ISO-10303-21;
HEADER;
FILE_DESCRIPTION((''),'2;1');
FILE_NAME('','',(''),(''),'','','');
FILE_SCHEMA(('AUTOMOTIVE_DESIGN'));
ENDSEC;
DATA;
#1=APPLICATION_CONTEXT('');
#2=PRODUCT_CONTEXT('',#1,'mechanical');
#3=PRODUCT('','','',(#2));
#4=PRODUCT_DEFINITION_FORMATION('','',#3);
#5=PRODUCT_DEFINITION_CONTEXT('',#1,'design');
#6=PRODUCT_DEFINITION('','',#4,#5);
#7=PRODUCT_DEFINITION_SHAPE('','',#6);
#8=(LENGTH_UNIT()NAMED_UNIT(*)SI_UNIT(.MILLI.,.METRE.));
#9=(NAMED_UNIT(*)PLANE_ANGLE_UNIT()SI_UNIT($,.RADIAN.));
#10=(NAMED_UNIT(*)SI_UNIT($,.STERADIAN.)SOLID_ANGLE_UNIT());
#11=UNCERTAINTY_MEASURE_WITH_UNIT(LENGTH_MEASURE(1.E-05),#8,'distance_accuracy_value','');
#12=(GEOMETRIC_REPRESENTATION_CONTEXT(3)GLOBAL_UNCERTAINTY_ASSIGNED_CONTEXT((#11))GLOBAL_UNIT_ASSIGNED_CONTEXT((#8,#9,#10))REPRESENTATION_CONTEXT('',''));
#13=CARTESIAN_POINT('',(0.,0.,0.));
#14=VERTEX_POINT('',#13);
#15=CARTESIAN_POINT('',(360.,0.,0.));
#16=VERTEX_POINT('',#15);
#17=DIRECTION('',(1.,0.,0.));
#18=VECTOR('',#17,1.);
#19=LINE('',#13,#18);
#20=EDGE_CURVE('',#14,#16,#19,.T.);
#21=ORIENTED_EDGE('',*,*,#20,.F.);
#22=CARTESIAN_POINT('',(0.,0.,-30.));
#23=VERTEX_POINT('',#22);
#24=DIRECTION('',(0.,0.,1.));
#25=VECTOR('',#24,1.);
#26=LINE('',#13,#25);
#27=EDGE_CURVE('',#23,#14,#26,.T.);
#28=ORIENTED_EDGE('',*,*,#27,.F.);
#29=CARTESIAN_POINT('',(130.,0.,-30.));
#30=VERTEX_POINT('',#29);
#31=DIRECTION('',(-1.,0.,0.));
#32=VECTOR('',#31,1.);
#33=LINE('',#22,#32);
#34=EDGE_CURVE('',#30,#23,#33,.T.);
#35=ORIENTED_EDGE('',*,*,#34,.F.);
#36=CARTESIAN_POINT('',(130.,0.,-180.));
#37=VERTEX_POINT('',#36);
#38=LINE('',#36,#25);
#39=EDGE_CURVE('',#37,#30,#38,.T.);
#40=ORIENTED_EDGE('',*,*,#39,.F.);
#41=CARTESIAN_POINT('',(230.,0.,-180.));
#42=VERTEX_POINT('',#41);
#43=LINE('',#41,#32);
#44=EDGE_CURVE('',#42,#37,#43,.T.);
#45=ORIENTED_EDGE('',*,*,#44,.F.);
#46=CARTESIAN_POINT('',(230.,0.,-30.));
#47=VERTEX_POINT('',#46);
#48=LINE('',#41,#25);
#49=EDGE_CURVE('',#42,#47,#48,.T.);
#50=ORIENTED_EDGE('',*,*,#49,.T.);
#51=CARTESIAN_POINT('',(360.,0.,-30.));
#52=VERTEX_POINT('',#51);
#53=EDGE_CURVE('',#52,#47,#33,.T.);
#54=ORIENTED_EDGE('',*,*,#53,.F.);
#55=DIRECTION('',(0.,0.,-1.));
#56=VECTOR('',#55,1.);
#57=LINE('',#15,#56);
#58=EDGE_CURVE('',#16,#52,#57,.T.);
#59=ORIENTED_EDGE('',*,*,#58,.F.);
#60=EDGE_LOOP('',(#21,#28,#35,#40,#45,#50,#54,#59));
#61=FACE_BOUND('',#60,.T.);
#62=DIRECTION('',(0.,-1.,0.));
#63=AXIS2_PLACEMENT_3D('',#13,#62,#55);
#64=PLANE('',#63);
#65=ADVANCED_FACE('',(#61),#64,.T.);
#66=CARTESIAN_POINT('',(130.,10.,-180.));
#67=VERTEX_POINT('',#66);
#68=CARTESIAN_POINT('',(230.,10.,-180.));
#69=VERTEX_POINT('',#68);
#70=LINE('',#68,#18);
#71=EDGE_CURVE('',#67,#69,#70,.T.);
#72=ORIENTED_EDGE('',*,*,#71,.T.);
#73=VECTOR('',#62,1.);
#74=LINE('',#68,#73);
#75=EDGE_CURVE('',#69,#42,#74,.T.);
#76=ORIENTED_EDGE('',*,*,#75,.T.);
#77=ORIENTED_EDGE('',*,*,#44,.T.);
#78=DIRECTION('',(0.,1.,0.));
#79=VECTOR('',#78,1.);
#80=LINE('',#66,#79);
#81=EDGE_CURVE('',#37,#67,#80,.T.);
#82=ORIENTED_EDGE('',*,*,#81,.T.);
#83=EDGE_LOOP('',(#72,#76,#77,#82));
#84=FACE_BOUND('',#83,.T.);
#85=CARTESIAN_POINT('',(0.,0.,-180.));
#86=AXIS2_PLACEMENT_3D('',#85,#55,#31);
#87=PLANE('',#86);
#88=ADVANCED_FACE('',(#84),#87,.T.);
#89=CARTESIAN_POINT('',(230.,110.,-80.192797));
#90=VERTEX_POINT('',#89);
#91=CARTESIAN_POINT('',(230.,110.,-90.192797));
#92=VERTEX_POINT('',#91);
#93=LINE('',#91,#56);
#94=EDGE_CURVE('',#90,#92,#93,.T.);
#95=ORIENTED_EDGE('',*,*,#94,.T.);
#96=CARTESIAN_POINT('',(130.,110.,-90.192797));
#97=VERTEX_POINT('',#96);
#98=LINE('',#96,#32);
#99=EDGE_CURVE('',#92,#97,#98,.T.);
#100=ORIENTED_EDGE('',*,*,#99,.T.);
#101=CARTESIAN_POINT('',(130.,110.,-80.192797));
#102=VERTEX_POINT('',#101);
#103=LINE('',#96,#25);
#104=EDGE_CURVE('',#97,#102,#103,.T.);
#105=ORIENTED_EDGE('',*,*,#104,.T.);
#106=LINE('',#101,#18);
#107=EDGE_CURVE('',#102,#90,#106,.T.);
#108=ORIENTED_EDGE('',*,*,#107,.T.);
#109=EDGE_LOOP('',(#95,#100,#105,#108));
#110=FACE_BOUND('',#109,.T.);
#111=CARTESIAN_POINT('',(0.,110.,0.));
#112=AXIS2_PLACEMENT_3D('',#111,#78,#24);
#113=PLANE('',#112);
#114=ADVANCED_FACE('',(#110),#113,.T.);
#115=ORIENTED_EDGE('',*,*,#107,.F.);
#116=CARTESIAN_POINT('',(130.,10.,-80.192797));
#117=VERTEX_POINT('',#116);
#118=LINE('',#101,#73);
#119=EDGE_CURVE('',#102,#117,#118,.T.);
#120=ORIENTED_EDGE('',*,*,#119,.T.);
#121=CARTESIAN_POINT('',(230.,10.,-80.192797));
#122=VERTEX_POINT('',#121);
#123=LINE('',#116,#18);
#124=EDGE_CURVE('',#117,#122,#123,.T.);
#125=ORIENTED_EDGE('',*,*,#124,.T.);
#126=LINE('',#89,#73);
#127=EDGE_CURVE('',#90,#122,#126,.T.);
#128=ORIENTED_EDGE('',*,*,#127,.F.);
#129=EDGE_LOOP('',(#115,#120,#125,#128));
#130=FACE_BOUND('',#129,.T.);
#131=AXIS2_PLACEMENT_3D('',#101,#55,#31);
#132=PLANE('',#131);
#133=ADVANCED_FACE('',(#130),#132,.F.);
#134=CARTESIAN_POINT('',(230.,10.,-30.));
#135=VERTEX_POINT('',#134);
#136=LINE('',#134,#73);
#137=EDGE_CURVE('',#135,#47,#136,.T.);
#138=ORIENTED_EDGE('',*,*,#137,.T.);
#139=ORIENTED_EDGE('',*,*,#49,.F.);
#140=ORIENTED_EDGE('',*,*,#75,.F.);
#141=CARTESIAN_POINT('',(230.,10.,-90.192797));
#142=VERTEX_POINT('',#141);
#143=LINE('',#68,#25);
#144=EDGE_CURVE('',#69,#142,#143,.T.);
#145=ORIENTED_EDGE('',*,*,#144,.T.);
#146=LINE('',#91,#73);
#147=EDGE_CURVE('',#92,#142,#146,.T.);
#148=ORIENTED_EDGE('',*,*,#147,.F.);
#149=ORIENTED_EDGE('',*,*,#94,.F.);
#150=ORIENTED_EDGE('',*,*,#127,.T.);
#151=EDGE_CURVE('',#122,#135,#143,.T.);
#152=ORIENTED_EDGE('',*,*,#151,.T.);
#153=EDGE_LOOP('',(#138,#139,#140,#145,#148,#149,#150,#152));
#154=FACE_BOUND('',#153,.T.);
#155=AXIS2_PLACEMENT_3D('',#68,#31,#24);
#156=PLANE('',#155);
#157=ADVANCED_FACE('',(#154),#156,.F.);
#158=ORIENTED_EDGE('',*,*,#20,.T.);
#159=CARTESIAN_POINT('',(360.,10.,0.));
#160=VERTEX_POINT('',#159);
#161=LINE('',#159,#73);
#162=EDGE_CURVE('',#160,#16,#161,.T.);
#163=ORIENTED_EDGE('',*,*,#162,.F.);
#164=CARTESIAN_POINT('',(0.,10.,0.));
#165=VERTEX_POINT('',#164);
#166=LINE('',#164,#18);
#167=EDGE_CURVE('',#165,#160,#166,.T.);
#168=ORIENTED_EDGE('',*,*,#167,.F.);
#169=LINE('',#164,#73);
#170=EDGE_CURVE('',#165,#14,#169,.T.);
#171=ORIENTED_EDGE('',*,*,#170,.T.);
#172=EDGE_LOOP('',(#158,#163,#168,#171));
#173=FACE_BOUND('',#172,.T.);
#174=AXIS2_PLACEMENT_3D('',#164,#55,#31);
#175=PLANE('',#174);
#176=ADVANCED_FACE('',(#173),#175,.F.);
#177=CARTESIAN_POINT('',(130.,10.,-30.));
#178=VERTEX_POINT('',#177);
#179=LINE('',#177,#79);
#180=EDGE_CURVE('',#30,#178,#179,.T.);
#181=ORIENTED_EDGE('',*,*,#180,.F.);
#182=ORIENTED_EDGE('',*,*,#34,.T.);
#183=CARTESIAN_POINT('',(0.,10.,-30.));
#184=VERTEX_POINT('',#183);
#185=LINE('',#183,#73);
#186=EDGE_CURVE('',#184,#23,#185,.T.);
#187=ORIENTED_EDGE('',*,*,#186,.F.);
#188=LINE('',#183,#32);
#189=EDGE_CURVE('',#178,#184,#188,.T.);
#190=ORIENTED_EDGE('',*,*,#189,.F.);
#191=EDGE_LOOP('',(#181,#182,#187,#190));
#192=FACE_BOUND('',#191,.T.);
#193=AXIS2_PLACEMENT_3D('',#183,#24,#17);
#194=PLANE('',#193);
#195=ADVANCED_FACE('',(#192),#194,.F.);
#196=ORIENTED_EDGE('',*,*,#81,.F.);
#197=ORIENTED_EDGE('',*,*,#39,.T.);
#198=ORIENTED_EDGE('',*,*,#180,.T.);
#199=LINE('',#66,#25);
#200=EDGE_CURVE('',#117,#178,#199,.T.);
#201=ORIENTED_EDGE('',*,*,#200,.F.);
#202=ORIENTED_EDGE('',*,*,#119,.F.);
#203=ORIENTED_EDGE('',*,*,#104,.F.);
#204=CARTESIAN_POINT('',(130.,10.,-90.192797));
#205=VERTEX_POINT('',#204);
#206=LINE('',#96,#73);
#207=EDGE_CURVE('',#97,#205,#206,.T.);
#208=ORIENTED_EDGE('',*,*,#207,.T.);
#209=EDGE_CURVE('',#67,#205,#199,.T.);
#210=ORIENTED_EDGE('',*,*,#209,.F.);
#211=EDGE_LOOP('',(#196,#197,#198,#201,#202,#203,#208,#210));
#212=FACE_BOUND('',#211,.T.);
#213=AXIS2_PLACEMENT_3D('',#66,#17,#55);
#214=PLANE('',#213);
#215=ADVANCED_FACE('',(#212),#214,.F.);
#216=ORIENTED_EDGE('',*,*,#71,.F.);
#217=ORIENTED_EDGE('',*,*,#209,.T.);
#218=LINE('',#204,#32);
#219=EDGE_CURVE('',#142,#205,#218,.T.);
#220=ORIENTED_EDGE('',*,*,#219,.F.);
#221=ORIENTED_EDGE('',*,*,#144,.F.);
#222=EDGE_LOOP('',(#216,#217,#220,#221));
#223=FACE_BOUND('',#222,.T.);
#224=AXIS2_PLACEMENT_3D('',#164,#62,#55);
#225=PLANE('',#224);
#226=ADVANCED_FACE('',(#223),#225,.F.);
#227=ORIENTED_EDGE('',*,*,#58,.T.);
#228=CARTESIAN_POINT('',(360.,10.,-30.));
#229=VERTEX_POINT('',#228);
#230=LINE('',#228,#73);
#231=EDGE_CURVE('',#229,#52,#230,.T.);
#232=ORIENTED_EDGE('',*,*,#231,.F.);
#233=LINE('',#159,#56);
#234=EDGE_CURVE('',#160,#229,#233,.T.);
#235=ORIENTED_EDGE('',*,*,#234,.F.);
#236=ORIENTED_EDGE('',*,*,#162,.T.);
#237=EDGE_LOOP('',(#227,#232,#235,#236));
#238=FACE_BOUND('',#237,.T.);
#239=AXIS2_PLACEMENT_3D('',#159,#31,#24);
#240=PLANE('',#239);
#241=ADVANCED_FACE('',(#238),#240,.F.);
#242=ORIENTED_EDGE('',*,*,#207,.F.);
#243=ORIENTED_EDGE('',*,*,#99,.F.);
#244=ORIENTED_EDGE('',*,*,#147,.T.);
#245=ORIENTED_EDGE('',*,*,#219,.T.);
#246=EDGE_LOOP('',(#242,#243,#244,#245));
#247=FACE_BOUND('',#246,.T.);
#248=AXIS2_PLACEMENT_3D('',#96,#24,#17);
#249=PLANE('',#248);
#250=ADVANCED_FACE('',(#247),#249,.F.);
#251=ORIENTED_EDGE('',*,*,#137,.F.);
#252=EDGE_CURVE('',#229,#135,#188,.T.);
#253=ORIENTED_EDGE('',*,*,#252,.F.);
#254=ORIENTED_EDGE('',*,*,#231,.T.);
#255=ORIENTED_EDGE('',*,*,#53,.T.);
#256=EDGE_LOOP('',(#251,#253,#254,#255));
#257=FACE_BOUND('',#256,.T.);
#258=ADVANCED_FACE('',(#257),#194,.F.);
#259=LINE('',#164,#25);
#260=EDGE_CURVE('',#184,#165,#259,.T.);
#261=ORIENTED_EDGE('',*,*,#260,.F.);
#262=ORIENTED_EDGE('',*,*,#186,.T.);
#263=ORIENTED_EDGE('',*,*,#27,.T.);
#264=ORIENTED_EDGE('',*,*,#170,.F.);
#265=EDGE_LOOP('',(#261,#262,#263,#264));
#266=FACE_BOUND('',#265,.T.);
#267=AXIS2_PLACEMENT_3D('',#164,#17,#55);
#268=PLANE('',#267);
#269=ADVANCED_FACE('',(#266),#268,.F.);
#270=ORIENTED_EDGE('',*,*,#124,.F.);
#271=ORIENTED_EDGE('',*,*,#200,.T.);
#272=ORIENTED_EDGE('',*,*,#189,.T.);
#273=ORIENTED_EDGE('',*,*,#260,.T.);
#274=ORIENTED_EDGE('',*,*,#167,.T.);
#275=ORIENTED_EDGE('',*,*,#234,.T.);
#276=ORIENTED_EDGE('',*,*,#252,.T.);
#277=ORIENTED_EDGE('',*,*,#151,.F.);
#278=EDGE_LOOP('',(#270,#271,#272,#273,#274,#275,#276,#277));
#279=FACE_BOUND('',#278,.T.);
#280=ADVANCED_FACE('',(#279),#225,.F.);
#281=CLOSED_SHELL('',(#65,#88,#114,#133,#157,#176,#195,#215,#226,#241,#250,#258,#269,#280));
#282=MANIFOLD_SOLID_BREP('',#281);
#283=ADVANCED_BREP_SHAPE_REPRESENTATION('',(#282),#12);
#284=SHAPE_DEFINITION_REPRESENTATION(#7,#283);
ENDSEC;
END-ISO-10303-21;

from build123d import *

# Parameters (mm, degrees)
SKETCH_1_W      = 360
SKETCH_1_H      = 30
EXTRUDE_1_DEPTH = 10
SKETCH_2_W      = 100
SKETCH_2_H      = 10
EXTRUDE_2_DEPTH = 150
SKETCH_3_W      = 100
SKETCH_3_H      = 10
EXTRUDE_3_DEPTH = 100


with BuildPart() as part:
    # Эскиз1 → Бобышка-Вытянуть1 (new body)
    with BuildSketch(Plane(origin=(0, 0, 0), x_dir=(1, 0, 0), z_dir=(0, 1, 0))):
        with Locations((180, 15)):
            Rectangle(SKETCH_1_W, SKETCH_1_H)
    extrude(amount=EXTRUDE_1_DEPTH)

    # Эскиз2 → Бобышка-Вытянуть2 (add)
    with BuildSketch(Plane(origin=(0, 0, -30), x_dir=(-1, 0, 0), z_dir=(0, 0, -1))):
        with Locations((-180, 5)):
            Rectangle(SKETCH_2_W, SKETCH_2_H)
    extrude(amount=EXTRUDE_2_DEPTH)

    # Эскиз3 → Бобышка-Вытянуть3 (add)
    with BuildSketch(Plane(origin=(0, 10, 0), x_dir=(1, 0, 0), z_dir=(0, 1, 0))):
        with Locations((180, 85.192796995)):
            Rectangle(SKETCH_3_W, SKETCH_3_H)
    extrude(amount=EXTRUDE_3_DEPTH)


solid = part.part
